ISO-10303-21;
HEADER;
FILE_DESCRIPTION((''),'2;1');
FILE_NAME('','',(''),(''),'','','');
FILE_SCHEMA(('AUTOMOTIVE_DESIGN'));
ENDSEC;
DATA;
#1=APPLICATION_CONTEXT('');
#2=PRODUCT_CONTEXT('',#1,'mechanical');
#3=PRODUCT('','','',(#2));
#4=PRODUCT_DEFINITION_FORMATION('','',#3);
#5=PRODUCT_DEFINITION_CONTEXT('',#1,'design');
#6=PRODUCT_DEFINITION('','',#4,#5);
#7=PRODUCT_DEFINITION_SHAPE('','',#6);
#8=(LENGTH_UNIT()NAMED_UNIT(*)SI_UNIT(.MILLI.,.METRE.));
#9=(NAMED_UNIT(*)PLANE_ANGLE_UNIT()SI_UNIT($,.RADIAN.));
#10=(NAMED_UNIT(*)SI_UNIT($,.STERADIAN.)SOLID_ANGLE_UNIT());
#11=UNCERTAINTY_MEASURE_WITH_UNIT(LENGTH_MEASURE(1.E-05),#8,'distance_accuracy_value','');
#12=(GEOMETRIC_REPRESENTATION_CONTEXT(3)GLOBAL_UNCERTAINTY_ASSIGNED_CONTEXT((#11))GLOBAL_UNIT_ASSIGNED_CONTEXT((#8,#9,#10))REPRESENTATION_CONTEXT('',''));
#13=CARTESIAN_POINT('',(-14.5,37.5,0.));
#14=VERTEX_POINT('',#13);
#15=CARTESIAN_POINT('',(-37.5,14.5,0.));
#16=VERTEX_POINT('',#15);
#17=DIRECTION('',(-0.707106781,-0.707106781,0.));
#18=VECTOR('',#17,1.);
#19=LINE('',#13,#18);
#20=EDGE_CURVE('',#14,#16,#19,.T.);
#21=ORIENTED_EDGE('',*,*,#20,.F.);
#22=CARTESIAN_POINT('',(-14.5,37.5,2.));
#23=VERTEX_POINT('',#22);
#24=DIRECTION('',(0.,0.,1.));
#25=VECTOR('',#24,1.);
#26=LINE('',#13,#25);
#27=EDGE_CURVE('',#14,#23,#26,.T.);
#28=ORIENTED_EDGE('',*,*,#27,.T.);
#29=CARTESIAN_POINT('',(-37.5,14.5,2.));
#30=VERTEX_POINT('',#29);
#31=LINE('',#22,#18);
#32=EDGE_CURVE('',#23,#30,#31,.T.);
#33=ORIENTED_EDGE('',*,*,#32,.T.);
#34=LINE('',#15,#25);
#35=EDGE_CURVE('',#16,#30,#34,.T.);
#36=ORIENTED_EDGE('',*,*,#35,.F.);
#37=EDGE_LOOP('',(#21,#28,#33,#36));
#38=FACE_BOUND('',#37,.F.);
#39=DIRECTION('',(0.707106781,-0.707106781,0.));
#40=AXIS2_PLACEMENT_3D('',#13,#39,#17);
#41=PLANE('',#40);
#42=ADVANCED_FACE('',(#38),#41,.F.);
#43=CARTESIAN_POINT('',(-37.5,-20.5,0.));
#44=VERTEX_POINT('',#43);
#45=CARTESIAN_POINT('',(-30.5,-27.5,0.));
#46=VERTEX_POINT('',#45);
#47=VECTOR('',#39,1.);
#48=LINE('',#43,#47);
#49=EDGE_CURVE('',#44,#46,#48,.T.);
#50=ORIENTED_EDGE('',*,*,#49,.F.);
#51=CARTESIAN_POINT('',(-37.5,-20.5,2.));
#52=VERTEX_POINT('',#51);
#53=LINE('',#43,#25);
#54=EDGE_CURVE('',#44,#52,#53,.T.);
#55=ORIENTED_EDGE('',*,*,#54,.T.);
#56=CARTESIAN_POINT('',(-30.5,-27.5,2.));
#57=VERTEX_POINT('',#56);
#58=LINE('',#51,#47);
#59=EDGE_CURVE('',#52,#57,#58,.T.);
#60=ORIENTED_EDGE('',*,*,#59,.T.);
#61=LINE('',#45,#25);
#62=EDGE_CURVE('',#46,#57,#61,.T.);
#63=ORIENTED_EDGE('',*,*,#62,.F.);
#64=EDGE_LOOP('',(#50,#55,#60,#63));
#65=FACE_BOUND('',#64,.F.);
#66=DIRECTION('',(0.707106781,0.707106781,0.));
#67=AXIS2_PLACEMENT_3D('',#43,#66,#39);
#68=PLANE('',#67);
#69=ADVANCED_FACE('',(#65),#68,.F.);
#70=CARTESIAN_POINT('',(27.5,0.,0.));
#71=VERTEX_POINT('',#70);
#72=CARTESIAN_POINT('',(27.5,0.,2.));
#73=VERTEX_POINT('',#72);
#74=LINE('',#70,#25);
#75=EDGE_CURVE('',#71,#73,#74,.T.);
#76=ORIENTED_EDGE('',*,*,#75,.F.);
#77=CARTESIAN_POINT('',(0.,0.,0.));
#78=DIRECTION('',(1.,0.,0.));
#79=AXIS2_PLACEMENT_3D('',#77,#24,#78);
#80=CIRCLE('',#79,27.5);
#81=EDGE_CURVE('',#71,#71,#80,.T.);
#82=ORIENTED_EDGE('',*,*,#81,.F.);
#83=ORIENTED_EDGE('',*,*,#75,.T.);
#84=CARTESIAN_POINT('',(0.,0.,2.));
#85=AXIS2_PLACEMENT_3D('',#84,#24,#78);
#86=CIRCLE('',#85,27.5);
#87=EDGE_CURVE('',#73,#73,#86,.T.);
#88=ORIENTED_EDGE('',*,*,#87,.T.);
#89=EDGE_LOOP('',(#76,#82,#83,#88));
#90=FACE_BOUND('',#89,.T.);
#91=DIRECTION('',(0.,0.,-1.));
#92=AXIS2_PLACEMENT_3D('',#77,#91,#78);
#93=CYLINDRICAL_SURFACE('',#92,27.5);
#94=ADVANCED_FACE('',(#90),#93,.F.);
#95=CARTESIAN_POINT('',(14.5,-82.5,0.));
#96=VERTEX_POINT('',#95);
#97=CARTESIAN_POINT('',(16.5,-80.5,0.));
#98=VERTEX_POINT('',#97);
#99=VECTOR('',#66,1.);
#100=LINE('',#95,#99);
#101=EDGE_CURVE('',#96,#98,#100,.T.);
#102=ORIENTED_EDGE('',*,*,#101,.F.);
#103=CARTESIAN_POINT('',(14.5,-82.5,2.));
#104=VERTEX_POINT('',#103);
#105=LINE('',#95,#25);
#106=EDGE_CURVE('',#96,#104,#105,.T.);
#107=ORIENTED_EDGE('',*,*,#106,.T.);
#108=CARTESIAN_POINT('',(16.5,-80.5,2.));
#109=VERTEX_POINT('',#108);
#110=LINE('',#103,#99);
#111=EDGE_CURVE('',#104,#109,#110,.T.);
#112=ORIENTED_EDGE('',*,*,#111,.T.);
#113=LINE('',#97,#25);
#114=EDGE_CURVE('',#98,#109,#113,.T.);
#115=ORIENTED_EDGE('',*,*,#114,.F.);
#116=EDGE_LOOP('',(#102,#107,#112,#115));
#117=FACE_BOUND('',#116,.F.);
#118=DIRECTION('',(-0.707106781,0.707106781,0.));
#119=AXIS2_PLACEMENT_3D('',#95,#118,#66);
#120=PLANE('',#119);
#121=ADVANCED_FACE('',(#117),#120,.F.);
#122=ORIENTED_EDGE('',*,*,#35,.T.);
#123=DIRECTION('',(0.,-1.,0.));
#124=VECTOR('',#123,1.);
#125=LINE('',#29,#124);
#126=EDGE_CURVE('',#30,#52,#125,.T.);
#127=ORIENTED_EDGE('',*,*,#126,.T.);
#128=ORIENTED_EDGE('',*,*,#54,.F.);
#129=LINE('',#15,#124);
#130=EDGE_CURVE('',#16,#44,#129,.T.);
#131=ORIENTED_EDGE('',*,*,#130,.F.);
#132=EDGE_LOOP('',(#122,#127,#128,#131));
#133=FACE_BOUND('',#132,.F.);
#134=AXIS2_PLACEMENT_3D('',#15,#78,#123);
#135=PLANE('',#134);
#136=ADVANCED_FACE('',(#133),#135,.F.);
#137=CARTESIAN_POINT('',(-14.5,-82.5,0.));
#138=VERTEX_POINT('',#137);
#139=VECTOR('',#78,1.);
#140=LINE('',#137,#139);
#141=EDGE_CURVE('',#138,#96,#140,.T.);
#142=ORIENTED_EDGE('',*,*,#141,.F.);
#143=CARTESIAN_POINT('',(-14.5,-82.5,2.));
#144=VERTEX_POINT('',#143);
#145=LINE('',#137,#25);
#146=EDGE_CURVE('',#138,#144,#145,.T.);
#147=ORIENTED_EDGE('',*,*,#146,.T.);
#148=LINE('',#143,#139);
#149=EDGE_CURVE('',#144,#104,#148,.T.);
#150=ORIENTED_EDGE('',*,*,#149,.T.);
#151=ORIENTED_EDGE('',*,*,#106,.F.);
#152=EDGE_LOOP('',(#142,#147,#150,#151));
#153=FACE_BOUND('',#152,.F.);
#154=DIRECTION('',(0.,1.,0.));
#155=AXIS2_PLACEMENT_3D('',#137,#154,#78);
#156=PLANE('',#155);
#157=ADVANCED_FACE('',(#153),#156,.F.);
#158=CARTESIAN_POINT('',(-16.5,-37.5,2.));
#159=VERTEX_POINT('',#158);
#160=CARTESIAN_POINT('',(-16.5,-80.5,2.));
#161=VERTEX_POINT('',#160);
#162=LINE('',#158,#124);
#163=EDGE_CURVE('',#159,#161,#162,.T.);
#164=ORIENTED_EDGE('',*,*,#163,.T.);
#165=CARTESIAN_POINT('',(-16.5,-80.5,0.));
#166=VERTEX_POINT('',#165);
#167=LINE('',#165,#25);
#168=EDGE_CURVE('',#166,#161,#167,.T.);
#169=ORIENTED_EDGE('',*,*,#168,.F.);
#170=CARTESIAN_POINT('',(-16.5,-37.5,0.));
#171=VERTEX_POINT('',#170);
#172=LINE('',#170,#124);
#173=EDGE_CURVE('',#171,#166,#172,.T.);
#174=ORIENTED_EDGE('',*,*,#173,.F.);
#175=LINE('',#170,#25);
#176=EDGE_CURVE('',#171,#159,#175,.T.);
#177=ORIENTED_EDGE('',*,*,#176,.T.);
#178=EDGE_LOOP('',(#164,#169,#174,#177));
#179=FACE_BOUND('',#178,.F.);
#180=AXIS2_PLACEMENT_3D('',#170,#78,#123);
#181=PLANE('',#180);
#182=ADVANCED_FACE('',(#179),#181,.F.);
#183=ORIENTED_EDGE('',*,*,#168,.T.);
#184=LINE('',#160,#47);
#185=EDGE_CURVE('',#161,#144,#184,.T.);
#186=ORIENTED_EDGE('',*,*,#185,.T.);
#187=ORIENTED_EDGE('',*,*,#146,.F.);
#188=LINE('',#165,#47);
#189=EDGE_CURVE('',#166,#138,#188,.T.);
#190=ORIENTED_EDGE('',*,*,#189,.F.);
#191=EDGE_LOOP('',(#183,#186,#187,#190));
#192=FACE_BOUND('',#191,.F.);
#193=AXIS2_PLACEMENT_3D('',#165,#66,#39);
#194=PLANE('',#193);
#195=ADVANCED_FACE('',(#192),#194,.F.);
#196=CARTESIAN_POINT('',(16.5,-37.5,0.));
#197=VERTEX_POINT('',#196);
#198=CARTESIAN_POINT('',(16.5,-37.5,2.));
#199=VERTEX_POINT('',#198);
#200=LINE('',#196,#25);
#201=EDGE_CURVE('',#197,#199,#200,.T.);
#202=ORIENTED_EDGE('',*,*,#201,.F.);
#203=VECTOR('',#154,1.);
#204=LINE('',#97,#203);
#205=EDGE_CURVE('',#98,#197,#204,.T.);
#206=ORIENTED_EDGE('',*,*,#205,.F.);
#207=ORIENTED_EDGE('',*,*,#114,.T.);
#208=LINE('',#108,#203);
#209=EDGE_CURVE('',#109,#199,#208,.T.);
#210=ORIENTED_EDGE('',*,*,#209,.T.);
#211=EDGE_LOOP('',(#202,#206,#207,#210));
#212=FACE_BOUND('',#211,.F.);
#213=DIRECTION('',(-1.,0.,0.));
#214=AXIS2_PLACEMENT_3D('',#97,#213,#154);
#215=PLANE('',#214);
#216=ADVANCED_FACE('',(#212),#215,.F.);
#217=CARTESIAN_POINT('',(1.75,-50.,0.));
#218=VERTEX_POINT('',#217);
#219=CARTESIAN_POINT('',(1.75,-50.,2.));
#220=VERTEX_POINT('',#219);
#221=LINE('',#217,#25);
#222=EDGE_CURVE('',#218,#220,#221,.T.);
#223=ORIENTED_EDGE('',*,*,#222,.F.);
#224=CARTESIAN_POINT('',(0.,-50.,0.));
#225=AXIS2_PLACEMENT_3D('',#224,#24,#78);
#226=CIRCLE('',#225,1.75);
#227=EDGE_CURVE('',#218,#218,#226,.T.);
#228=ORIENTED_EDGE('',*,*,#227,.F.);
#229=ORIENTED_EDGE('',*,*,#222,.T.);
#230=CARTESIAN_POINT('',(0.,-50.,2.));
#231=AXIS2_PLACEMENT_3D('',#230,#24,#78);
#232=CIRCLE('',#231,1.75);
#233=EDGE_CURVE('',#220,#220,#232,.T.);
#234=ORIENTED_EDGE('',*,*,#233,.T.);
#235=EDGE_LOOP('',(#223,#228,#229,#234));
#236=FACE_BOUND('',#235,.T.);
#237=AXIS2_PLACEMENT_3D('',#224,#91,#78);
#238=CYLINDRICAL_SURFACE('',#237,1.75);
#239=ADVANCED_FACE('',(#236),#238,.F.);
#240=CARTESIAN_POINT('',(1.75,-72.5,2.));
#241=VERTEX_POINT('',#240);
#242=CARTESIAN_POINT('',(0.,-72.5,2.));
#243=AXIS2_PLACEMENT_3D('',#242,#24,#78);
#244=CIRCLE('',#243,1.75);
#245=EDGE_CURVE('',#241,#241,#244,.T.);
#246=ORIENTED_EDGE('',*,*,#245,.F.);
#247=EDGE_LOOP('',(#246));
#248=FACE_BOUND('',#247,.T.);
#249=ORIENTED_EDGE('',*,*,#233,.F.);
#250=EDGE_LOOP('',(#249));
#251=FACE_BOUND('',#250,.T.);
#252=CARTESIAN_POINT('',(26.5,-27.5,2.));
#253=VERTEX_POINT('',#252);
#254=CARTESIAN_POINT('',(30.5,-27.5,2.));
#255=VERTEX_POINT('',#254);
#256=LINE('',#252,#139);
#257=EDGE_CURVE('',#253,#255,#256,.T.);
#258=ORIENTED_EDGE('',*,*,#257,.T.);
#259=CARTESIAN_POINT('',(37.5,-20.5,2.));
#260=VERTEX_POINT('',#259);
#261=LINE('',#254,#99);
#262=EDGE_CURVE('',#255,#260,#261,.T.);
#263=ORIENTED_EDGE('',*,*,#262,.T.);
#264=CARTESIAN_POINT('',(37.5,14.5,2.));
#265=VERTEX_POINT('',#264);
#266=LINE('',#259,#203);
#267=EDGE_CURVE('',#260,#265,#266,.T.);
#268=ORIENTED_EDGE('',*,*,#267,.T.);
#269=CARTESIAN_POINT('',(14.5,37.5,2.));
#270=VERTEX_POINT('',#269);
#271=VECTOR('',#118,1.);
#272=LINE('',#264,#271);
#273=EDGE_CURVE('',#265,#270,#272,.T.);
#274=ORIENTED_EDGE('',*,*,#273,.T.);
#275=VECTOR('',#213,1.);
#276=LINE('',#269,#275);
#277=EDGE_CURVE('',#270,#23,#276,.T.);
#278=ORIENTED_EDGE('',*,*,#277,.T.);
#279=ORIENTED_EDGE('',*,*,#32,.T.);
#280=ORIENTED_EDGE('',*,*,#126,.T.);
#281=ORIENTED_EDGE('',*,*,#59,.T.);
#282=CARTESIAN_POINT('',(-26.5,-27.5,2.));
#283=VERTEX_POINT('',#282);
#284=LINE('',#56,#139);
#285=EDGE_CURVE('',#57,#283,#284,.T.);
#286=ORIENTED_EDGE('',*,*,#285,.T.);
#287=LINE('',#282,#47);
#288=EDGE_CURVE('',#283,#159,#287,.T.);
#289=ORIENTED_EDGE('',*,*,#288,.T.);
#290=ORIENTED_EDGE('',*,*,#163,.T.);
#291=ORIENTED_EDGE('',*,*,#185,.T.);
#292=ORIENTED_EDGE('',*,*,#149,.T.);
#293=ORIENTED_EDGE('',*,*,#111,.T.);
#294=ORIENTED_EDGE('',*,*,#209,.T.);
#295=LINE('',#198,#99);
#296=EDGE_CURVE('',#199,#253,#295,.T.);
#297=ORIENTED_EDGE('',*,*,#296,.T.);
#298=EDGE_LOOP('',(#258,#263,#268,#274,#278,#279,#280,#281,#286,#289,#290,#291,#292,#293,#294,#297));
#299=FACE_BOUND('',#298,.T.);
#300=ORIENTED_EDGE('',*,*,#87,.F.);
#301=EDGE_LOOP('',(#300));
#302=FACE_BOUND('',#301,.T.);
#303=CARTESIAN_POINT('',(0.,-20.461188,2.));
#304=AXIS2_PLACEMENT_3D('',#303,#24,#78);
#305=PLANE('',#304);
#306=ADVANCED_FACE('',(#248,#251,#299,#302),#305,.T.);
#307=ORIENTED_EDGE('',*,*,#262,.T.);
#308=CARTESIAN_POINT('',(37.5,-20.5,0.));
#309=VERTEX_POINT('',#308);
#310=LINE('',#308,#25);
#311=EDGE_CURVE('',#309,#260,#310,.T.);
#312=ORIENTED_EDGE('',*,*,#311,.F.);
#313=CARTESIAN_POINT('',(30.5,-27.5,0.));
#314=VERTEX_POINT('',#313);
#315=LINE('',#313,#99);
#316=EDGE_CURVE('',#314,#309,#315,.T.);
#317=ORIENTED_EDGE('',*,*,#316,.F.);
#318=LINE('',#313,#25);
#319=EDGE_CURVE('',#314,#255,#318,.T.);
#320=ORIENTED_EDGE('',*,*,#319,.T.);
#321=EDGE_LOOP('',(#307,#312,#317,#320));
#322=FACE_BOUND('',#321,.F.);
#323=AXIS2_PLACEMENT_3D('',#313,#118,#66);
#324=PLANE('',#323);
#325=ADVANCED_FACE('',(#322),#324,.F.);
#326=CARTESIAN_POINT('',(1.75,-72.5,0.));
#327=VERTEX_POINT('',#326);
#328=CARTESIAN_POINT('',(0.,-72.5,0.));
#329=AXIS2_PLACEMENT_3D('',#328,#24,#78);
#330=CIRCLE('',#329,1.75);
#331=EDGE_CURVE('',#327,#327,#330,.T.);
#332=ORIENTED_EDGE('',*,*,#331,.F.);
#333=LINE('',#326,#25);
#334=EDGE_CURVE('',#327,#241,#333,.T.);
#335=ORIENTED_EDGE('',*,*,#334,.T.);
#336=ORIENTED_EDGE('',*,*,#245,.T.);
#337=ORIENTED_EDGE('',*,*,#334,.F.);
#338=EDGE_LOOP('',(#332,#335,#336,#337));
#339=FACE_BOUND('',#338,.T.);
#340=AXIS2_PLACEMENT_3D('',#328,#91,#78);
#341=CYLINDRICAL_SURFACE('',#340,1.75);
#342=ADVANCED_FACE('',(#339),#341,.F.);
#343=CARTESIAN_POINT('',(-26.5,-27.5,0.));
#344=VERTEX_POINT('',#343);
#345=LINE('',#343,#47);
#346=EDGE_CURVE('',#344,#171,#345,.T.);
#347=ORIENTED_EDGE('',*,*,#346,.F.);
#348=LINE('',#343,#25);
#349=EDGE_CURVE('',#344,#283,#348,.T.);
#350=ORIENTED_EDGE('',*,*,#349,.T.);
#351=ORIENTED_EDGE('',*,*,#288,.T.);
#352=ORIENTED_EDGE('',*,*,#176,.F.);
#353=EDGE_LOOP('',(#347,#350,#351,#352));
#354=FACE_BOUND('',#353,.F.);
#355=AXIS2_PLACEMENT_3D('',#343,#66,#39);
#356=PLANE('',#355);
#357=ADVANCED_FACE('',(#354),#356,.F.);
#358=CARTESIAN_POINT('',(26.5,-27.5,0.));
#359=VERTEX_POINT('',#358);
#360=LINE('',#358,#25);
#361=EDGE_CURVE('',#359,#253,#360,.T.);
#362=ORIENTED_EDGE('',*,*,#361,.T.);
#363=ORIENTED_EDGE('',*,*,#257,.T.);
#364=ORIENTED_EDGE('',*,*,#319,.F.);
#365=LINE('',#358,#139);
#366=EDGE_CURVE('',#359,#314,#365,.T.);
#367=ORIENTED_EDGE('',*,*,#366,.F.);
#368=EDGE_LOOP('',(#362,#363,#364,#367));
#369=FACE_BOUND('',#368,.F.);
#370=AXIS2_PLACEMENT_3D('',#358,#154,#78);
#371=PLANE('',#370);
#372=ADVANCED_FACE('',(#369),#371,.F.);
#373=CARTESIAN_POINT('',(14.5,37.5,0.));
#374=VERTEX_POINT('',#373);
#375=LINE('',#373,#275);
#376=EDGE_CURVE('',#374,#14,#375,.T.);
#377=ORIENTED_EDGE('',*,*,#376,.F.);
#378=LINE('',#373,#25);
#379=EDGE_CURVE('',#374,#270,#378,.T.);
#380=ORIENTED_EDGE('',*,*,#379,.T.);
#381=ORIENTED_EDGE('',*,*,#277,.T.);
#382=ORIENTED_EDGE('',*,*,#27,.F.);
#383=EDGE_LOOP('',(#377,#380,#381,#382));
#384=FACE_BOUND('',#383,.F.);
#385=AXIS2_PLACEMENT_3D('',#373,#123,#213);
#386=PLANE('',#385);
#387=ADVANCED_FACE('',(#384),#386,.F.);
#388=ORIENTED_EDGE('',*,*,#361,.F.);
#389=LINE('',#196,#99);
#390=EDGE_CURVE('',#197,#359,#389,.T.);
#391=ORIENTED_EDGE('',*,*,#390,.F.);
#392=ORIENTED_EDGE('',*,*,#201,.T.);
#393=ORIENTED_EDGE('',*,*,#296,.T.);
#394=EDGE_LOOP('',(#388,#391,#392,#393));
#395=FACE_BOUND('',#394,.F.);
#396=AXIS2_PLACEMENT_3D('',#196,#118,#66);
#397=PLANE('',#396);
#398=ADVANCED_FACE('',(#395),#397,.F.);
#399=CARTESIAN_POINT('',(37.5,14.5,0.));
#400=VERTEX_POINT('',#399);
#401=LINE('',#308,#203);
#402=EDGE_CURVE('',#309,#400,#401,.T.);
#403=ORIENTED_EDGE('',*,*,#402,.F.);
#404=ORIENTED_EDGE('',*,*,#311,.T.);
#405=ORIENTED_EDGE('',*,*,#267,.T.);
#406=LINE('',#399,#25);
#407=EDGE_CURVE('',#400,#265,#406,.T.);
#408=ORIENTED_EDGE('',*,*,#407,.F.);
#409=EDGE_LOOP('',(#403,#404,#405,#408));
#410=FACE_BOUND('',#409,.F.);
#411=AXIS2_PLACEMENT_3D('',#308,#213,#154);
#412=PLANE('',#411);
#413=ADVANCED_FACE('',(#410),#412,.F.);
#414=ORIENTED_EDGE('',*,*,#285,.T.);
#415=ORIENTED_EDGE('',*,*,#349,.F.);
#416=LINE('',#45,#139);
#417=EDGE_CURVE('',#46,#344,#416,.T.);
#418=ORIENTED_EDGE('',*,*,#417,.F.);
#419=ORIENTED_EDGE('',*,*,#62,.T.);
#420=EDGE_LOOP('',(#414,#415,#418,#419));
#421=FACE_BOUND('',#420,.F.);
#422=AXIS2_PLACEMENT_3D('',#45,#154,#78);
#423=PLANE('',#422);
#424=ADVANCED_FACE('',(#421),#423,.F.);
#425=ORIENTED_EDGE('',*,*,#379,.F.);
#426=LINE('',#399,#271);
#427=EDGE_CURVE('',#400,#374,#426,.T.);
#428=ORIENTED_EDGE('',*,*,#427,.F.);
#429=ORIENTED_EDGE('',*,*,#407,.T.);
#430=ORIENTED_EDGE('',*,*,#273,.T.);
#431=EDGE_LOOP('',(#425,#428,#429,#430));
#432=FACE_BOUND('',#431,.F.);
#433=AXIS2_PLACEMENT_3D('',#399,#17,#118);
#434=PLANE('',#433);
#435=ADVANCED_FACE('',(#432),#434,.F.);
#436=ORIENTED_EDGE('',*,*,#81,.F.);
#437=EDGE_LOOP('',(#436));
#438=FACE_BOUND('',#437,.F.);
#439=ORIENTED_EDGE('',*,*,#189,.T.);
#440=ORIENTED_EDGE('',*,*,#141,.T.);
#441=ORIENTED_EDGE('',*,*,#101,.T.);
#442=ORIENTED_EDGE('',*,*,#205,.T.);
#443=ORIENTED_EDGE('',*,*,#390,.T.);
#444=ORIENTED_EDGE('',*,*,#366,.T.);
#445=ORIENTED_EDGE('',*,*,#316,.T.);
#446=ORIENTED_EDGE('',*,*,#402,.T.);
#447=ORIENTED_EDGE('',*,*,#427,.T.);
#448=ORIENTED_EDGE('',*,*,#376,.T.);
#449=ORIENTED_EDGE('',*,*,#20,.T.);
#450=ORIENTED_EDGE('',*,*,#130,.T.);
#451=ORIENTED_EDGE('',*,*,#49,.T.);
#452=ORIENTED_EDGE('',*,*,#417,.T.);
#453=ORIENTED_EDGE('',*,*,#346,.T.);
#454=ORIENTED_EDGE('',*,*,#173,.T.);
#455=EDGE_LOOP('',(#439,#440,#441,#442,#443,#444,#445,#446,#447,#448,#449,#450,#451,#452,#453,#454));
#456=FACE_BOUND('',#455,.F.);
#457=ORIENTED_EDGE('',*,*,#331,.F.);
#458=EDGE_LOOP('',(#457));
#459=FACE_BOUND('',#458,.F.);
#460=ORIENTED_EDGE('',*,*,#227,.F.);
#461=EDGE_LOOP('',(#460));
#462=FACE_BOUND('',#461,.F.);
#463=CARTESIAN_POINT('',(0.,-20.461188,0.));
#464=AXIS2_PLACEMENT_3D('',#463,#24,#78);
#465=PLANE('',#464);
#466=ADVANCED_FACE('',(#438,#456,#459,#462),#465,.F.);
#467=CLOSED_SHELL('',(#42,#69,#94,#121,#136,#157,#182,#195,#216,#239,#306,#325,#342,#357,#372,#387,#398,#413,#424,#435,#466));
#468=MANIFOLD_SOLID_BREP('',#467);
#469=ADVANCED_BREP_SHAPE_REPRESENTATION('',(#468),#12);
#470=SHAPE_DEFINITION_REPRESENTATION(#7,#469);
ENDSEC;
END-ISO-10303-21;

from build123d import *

# Parameters (mm, degrees)
F0_R     = 1.75
F0_R_2   = 27.5
F1_DEPTH = 2


with BuildPart() as f1:
    # F0 (on Top) → F1 (new body)
    with BuildSketch(Plane.XY):
        Polygon((14.5, 37.5), (0, 37.5), (-14.5, 37.5), (-37.5, 14.5), (-37.5, -20.5), (-30.5, -27.5), (-26.5, -27.5), (-16.5, -37.5), (-16.5, -80.5), (-14.5, -82.5), (0, -82.5), (14.5, -82.5), (16.5, -80.5), (16.5, -37.5), (26.5, -27.5), (30.5, -27.5), (37.5, -20.5), (37.5, 14.5), align=None)
        with Locations((0, -72.5)):
            Circle(F0_R, mode=Mode.SUBTRACT)
        with Locations((0, -50)):
            Circle(F0_R, mode=Mode.SUBTRACT)
        Circle(F0_R_2, mode=Mode.SUBTRACT)
    extrude(amount=F1_DEPTH)


solid = f1.part
